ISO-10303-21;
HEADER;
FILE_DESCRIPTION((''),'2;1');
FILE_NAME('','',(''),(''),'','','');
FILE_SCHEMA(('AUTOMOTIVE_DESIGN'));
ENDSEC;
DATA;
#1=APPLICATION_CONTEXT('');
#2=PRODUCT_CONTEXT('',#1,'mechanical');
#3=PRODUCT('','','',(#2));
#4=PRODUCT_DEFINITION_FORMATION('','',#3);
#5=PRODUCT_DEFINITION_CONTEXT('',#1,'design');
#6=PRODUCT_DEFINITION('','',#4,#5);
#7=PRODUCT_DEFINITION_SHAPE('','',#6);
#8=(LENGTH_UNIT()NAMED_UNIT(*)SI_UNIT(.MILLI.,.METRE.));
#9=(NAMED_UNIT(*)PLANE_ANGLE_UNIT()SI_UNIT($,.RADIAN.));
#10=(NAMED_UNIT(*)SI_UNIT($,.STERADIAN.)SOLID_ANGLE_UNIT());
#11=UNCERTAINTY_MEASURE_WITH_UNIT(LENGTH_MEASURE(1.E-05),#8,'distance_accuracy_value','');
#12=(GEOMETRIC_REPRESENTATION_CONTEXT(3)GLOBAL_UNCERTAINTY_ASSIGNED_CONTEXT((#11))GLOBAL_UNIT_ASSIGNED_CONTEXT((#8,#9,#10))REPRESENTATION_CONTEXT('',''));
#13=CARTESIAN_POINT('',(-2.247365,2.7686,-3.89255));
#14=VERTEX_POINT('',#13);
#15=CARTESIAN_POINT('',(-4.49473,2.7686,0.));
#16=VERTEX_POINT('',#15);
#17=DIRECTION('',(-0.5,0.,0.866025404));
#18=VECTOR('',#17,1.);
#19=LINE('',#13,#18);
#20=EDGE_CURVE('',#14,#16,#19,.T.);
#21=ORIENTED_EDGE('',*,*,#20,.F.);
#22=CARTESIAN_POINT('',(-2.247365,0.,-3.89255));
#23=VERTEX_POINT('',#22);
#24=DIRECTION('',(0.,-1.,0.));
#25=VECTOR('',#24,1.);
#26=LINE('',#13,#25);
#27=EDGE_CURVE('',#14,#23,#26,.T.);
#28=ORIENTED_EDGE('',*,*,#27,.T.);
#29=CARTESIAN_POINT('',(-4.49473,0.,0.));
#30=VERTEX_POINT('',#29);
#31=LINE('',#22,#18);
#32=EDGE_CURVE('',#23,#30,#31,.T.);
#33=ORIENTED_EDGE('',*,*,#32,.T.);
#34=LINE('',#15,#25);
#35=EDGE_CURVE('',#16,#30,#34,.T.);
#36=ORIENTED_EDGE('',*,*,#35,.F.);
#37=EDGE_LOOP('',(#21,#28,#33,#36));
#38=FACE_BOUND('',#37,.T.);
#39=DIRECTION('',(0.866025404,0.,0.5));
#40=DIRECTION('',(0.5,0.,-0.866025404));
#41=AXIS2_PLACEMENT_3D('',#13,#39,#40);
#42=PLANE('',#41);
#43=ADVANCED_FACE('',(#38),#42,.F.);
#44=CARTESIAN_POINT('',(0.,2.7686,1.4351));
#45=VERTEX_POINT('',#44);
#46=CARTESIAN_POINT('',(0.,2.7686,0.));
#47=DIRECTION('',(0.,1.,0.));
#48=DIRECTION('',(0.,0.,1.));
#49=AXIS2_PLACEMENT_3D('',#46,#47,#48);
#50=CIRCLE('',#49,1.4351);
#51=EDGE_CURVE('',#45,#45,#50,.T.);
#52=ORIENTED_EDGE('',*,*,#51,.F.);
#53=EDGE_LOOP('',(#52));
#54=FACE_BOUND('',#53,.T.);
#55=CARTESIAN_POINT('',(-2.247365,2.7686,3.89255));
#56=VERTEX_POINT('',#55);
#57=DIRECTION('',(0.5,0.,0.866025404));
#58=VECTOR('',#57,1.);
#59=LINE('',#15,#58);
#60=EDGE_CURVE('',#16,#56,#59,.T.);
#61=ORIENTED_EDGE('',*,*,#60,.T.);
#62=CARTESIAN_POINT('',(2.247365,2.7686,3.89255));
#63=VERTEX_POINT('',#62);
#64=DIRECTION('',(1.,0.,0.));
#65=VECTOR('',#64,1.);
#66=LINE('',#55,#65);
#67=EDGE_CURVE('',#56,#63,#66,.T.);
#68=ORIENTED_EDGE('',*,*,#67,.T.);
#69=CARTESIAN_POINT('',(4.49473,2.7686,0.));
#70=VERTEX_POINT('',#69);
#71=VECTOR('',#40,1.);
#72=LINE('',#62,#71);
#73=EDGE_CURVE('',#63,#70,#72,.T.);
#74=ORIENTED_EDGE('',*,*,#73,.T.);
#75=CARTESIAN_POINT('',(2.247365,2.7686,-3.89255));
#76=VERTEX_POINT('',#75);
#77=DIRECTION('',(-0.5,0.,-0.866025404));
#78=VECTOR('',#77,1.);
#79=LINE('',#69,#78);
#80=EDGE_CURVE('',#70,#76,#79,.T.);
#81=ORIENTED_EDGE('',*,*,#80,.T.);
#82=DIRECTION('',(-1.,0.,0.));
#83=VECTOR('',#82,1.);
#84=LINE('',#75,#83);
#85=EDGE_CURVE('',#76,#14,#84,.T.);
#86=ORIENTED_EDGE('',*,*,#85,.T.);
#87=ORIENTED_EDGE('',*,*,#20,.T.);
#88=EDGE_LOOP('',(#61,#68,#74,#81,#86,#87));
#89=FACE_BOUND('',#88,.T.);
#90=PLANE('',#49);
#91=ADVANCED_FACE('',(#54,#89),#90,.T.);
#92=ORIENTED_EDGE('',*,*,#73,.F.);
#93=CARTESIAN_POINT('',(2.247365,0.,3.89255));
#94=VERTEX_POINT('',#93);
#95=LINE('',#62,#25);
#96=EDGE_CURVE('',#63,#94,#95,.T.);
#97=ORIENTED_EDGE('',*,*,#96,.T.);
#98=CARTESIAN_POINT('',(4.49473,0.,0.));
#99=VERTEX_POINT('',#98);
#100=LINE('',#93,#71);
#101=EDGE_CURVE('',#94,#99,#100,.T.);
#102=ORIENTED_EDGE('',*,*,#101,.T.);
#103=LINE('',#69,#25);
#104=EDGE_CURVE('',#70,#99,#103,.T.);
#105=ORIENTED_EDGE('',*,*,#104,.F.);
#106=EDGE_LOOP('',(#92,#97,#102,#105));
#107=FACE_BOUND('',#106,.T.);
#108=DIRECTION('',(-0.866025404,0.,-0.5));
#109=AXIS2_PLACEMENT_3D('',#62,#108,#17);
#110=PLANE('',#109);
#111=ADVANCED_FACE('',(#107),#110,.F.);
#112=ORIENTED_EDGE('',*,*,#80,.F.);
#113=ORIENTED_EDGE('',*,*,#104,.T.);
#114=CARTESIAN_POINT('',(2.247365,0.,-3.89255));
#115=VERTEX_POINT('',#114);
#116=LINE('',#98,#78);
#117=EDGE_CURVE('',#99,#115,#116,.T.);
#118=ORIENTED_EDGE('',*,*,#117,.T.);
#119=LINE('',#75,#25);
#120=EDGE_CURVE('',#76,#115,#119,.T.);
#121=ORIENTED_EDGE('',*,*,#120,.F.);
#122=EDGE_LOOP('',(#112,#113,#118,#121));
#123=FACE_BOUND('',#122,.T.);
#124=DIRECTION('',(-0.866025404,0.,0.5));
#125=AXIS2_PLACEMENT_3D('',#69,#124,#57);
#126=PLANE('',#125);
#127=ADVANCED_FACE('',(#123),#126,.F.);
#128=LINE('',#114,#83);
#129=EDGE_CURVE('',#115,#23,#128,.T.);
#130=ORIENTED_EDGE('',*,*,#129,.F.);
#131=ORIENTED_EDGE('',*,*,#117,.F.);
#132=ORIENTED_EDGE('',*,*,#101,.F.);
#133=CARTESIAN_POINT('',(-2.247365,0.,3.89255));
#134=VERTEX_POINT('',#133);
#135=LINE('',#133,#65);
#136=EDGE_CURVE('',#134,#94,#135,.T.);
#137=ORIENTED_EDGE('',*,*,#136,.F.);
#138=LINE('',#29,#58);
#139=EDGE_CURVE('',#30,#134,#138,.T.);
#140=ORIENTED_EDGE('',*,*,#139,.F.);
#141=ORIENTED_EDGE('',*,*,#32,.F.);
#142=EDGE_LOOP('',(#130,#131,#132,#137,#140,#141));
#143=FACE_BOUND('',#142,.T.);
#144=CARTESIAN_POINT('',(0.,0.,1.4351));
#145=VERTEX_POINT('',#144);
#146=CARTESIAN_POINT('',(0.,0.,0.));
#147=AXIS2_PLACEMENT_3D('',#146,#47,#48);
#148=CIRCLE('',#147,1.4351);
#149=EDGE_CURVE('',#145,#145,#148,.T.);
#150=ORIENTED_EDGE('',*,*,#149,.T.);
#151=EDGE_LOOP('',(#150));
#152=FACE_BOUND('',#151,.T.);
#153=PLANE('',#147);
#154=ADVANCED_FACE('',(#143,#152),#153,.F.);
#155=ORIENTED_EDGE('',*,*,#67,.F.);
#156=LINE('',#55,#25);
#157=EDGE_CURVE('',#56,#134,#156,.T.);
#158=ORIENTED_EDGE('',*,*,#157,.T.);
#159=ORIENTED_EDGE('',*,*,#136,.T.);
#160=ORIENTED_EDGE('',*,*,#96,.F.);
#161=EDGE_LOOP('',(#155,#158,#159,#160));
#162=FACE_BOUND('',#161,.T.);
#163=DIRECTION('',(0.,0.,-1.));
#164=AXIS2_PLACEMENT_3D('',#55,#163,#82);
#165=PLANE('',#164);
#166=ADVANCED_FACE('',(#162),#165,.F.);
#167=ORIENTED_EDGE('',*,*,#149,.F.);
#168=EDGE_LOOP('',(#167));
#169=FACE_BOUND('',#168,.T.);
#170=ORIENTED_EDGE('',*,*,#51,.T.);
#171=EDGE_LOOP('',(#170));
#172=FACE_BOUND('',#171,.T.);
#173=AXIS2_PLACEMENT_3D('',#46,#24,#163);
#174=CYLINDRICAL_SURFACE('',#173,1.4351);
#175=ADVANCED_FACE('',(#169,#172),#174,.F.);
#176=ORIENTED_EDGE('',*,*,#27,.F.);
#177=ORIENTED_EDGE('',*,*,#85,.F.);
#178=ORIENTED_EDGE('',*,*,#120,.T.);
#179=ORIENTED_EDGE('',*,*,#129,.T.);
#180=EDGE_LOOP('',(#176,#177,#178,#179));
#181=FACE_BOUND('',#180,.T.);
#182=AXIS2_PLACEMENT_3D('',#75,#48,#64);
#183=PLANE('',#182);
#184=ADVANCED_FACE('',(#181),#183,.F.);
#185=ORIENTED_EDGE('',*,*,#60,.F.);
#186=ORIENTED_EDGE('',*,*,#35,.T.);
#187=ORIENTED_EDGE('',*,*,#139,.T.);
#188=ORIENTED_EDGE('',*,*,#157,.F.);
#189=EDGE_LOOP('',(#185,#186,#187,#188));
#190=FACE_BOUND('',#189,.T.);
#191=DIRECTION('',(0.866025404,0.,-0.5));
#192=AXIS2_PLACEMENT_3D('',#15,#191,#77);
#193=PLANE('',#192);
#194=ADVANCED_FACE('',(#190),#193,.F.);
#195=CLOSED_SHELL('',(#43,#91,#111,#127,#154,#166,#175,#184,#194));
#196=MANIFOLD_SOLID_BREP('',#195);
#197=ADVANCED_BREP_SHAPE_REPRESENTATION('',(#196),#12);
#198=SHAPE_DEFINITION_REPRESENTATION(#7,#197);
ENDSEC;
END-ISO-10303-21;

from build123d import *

# Parameters (mm, degrees)
BOSS_EXTRUDE1_DEPTH = 2.7686
SKETCH2_R           = 1.4351
CUT_EXTRUDE2_DEPTH  = 7.558939355


with BuildPart() as part:
    # Sketch1 → Boss-Extrude1 (new body)
    with BuildSketch(Plane(origin=(0, 0, 0), x_dir=(1, 0, 0), z_dir=(0, 1, 0))):
        Polygon((-2.24736479, 3.89255), (-4.494729581, 0), (-2.24736479, -3.89255), (2.24736479, -3.89255), (4.494729581, 0), (2.24736479, 3.89255), align=None)
    extrude(amount=BOSS_EXTRUDE1_DEPTH)

    # Sketch2 → Cut-Extrude2 (cut, through all)
    with BuildSketch(Plane(origin=(0, 0, 0), x_dir=(1, 0, 0), z_dir=(0, 1, 0))):
        with Locations(Location((0, 0, 0), (0, 0, 270))):
            Circle(SKETCH2_R)
    extrude(amount=CUT_EXTRUDE2_DEPTH, mode=Mode.SUBTRACT)


solid = part.part
